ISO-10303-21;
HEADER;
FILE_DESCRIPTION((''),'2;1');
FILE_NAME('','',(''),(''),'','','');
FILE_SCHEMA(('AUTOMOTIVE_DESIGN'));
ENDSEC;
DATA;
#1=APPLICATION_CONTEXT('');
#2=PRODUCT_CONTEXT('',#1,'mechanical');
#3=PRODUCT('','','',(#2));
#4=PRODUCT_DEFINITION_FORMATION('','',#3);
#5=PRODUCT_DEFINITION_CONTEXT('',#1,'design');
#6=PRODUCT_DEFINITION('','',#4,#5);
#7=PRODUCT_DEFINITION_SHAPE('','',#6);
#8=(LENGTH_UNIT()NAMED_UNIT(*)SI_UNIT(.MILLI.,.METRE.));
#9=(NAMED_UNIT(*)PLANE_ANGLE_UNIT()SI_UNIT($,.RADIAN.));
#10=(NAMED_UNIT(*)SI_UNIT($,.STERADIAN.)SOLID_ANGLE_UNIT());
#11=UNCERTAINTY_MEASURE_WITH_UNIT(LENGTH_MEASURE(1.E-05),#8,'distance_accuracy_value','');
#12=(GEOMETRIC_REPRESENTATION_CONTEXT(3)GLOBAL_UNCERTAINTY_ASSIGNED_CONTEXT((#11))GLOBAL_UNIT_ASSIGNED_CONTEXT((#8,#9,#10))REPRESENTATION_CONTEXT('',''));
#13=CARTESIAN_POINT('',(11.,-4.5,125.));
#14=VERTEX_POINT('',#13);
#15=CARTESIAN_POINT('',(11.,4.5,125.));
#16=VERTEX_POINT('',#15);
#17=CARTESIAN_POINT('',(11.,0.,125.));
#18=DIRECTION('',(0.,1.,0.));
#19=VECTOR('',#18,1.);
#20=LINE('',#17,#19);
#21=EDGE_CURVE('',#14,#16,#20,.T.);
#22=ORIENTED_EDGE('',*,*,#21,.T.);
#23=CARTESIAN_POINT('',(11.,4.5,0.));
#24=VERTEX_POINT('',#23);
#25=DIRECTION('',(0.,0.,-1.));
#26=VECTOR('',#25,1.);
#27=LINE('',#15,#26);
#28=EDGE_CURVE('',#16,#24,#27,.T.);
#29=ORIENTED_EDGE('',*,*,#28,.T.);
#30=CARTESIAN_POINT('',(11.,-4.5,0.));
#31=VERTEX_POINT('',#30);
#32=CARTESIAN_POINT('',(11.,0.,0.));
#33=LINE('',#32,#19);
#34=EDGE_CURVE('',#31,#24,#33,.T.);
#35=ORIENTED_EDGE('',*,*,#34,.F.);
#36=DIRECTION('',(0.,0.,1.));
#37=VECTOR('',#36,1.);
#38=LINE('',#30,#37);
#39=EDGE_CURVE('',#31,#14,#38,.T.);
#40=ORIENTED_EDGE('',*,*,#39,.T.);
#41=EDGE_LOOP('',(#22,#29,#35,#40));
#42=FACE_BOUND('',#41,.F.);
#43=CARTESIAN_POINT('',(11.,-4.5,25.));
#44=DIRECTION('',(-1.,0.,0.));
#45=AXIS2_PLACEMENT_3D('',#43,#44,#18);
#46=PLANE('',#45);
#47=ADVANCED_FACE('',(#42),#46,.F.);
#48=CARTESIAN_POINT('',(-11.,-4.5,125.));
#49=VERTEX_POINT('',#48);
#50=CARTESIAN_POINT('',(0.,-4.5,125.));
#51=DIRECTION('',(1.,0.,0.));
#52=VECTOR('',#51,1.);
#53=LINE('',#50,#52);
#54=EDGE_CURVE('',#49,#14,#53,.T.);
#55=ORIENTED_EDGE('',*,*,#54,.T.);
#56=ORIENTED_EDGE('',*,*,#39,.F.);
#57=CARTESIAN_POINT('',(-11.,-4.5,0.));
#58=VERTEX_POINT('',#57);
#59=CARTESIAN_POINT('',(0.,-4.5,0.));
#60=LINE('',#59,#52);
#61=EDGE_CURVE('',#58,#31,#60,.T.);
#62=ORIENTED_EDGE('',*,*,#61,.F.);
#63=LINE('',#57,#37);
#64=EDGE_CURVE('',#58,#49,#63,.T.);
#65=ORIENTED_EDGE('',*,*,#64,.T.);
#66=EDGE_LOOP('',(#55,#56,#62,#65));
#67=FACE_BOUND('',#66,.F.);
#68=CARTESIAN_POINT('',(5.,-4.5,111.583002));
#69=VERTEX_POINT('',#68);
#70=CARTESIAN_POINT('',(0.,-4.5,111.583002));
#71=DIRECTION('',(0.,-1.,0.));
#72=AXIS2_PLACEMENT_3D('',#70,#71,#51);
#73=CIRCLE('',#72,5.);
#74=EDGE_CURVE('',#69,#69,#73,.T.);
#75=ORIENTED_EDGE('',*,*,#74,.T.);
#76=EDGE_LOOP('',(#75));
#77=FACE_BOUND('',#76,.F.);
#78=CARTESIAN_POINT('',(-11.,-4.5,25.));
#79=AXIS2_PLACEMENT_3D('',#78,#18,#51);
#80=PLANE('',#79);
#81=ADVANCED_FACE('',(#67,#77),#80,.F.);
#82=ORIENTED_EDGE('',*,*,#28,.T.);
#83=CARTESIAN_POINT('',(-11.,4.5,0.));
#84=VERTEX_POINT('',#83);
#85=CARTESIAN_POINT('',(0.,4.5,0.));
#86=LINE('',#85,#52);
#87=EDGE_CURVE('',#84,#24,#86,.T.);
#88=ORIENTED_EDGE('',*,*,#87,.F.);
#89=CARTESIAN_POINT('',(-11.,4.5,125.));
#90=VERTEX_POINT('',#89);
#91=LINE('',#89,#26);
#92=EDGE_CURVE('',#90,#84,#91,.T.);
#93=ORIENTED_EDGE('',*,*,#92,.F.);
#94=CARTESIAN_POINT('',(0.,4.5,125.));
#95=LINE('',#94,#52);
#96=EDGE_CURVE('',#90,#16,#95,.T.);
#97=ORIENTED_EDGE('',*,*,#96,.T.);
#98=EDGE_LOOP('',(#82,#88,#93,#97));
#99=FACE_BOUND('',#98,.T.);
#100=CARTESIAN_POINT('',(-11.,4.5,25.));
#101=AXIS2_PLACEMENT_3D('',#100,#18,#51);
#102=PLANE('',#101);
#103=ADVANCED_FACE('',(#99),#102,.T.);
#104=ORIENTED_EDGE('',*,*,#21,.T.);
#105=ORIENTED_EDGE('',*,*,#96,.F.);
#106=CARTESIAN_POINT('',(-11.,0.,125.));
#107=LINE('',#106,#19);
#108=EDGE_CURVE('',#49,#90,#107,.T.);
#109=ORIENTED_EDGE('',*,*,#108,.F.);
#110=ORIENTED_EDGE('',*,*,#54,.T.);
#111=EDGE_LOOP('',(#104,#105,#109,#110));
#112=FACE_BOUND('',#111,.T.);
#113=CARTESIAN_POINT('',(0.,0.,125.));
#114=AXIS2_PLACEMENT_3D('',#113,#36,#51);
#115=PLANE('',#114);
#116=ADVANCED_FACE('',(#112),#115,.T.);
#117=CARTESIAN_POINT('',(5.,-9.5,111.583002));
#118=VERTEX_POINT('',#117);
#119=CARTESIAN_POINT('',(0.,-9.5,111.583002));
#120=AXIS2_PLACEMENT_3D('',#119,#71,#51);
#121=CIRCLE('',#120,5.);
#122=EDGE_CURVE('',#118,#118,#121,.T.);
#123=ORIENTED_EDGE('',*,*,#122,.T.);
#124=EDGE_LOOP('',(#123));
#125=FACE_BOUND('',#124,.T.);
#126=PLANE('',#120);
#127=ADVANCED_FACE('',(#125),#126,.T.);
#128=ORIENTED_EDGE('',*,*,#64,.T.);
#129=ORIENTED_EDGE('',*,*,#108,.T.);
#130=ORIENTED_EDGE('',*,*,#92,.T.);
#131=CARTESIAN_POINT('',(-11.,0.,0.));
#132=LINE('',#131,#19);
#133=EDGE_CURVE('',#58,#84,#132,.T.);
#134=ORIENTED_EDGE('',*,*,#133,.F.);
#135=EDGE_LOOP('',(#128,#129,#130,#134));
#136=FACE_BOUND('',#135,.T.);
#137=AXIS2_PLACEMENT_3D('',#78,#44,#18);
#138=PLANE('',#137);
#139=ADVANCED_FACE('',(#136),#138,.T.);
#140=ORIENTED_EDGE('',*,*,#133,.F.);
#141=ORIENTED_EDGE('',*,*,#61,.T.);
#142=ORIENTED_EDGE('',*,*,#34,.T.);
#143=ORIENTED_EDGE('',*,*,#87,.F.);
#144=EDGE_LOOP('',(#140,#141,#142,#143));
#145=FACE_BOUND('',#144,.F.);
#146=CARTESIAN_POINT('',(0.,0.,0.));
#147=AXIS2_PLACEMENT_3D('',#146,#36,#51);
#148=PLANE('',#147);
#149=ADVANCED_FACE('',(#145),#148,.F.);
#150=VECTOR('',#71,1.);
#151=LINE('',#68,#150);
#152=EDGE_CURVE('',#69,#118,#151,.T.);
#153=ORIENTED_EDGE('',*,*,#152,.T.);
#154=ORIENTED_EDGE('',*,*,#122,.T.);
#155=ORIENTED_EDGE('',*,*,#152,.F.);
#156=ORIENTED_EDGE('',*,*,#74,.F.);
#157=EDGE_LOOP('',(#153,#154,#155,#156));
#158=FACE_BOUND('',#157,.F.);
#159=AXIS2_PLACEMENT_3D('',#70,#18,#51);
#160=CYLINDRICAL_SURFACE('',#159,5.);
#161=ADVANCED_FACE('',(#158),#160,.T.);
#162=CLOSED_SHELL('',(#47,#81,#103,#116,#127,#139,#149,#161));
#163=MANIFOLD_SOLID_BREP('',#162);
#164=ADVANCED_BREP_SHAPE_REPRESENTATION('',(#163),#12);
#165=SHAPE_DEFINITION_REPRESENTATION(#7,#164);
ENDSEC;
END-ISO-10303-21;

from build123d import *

# Parameters (mm, degrees)
F1_W      = 22
F1_H      = 9
F2_DEPTH  = 25
F2_FACE_W = 22
F2_FACE_H = 9
F3_DEPTH  = 100
F4_R      = 5
F5_DEPTH  = 5


with BuildPart() as f2:
    # F1 (on face) → F2 (new body)
    with BuildSketch(Plane.XY):
        Rectangle(F1_W, F1_H)
    extrude(amount=F2_DEPTH)

    # F2_face (on face) → F3 (join)
    with BuildSketch(Plane.XY.offset(25)):
        Rectangle(F2_FACE_W, F2_FACE_H)
    extrude(amount=F3_DEPTH)

    # F4 (on face) → F5 (join)
    with BuildSketch(Plane.XZ.offset(4.5)):
        with Locations((0, 111.583002)):
            Circle(F4_R)
    extrude(amount=F5_DEPTH)


solid = f2.part
